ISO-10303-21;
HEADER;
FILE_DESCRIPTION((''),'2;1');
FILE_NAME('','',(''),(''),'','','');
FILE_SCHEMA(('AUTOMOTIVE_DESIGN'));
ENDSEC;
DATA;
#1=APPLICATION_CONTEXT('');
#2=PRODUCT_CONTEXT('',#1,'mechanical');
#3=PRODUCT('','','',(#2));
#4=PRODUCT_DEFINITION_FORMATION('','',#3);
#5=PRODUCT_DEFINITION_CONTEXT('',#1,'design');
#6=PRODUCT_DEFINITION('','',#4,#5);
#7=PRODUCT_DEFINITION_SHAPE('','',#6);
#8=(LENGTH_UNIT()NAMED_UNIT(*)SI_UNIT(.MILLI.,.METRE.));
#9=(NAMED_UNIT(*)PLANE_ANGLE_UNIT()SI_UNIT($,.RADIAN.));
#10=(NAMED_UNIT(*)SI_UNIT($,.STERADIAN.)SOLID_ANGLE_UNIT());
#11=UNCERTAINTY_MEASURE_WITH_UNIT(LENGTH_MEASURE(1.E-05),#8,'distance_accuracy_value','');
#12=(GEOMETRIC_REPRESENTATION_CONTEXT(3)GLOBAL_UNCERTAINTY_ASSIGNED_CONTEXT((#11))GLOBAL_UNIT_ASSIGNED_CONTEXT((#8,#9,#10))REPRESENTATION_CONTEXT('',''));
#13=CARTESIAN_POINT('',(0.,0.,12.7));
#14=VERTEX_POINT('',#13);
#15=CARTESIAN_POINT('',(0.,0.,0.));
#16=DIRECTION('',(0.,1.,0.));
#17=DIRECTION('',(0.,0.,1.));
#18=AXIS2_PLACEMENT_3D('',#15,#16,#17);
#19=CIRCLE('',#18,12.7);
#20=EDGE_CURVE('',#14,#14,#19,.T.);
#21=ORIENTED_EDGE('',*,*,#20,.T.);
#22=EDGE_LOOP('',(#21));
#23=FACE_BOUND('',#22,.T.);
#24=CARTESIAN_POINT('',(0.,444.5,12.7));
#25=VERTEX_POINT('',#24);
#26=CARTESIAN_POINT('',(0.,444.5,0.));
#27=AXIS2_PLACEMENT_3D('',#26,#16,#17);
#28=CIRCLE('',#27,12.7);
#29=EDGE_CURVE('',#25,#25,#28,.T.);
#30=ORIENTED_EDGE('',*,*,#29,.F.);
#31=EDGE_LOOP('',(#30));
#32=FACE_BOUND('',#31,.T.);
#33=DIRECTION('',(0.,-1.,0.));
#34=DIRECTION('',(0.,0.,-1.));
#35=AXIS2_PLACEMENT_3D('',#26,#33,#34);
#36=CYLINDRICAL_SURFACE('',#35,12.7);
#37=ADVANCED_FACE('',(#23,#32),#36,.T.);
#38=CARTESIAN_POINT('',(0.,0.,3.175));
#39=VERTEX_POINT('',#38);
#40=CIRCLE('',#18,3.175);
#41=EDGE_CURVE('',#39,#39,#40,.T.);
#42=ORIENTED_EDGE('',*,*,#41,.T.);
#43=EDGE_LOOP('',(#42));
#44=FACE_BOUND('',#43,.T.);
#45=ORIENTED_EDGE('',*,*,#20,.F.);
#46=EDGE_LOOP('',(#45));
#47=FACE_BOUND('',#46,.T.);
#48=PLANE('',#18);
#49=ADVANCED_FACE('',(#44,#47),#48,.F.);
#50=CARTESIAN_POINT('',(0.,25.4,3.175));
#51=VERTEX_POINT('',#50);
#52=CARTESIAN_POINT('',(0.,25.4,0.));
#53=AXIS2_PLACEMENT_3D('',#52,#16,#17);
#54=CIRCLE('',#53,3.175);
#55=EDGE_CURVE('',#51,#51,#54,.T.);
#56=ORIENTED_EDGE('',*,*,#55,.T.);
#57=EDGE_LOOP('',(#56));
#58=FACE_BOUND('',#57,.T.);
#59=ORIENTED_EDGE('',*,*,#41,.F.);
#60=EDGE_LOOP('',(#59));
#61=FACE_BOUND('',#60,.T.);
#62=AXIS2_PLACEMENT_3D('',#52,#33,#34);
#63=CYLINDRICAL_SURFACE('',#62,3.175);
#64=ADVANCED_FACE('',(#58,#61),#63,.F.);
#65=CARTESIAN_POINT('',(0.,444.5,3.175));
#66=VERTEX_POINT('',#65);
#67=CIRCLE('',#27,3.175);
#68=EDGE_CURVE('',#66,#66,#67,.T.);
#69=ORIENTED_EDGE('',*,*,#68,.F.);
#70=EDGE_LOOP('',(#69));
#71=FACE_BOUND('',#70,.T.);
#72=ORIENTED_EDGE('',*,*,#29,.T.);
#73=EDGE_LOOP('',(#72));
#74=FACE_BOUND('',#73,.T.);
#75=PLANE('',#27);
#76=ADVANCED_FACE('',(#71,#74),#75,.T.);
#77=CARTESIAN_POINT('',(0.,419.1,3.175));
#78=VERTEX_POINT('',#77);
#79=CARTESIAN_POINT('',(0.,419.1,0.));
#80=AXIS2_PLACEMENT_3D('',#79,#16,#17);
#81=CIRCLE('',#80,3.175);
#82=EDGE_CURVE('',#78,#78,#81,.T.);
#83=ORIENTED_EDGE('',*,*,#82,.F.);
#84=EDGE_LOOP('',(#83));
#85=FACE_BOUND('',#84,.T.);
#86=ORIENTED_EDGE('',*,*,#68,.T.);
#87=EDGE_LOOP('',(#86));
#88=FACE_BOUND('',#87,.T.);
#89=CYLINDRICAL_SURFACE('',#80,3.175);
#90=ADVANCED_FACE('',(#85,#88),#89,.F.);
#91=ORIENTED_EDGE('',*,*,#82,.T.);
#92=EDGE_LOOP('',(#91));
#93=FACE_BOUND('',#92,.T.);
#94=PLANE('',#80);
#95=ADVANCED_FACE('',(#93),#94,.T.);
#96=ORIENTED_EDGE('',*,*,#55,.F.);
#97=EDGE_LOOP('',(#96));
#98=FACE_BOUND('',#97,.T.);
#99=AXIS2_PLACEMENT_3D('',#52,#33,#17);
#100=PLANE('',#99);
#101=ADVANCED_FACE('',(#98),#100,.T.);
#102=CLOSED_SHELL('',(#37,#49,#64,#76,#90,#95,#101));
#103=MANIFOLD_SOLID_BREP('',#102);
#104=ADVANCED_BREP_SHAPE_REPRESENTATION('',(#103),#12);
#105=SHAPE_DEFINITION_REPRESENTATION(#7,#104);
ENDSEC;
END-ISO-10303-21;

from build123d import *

# Parameters (mm, degrees)
SKETCH1_R           = 12.7
BOSS_EXTRUDE1_DEPTH = 444.5
SKETCH2_R           = 3.175
CUT_EXTRUDE1_DEPTH  = 25.4


with BuildPart() as part:
    # Sketch1 → Boss-Extrude1 (new body)
    with BuildSketch(Plane(origin=(0, 0, 0), x_dir=(1, 0, 0), z_dir=(0, 1, 0))):
        with Locations(Location((0, 0, 0), (0, 0, 270))):
            Circle(SKETCH1_R)
    extrude(amount=BOSS_EXTRUDE1_DEPTH)

    # Sketch2 → Cut-Extrude1 (cut)
    with BuildSketch(Plane(origin=(0, 444.5, 0), x_dir=(1, 0, 0), z_dir=(0, 1, 0))):
        with Locations(Location((0, 0, 0), (0, 0, 270))):
            Circle(SKETCH2_R)
    cut_extrude1 = extrude(amount=-CUT_EXTRUDE1_DEPTH, mode=Mode.SUBTRACT)

    # Mirror1: Cut-Extrude1 across plane
    add(cut_extrude1.mirror(Plane.ZX.offset(222.25)), mode=Mode.SUBTRACT)


solid = part.part
